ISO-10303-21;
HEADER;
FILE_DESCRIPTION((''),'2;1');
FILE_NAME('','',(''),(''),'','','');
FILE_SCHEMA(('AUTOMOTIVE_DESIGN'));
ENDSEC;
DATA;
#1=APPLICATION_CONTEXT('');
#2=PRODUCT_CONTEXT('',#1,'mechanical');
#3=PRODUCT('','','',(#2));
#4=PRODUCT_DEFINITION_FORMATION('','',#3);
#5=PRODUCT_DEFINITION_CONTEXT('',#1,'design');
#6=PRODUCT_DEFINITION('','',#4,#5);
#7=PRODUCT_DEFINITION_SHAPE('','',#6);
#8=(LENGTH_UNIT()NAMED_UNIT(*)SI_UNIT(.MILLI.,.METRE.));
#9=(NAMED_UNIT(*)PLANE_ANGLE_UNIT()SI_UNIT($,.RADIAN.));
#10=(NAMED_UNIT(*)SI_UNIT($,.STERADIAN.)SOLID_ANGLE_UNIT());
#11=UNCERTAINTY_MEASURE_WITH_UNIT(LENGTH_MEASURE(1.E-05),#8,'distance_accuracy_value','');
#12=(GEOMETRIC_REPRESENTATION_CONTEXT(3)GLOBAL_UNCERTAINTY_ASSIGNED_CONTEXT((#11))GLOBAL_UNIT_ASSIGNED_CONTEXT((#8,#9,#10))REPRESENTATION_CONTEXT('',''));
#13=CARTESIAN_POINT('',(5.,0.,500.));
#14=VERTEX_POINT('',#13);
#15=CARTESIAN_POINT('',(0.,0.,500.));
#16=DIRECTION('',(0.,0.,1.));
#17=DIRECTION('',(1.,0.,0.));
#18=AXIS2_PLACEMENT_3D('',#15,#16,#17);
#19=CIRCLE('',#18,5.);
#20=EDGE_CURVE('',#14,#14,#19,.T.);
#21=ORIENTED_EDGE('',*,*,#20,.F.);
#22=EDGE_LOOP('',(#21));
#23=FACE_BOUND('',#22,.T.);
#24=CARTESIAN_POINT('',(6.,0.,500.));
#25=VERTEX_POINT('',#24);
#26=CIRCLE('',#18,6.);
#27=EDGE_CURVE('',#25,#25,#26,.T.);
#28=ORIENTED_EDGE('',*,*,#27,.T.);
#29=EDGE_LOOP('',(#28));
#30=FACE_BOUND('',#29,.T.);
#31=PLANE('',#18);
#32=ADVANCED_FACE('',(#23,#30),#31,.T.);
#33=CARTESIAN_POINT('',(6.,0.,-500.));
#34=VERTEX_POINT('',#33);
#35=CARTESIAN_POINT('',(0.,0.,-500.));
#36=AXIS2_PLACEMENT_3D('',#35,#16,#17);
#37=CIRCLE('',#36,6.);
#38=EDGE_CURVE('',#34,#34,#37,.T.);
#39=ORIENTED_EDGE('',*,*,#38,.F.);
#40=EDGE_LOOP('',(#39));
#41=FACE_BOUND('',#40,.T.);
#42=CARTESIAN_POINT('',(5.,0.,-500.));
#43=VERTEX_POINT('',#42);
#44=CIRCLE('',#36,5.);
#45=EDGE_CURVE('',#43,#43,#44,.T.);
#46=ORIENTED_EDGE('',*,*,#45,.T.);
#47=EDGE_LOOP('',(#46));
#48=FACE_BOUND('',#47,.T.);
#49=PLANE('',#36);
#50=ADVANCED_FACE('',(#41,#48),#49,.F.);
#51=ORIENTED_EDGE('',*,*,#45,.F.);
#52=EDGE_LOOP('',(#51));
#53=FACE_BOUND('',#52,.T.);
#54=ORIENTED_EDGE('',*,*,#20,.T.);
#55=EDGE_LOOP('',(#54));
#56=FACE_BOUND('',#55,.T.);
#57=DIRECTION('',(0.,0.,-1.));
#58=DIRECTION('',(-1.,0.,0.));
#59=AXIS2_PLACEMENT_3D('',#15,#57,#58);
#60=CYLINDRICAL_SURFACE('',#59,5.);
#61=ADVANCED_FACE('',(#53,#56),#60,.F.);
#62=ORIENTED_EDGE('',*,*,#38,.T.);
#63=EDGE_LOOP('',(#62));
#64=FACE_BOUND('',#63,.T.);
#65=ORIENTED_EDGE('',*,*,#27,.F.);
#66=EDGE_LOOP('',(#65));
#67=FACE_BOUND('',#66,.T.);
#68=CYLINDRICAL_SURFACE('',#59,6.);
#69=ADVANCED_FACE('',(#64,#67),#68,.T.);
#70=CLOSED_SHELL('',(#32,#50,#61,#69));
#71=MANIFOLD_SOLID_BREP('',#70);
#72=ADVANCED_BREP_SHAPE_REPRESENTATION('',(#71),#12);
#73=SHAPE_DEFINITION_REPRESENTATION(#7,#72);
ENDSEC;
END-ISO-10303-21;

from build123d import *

# Parameters (mm, degrees)
SKETCH_1_R      = 6
SKETCH_1_R_2    = 5
EXTRUDE_1_DEPTH = 500


with BuildPart() as part:
    # Эскиз1 → Бобышка-Вытянуть1 (new, symmetric)
    with BuildSketch(Plane.XY):
        Circle(SKETCH_1_R)
        Circle(SKETCH_1_R_2, mode=Mode.SUBTRACT)
    extrude(amount=EXTRUDE_1_DEPTH, both=True)


solid = part.part
